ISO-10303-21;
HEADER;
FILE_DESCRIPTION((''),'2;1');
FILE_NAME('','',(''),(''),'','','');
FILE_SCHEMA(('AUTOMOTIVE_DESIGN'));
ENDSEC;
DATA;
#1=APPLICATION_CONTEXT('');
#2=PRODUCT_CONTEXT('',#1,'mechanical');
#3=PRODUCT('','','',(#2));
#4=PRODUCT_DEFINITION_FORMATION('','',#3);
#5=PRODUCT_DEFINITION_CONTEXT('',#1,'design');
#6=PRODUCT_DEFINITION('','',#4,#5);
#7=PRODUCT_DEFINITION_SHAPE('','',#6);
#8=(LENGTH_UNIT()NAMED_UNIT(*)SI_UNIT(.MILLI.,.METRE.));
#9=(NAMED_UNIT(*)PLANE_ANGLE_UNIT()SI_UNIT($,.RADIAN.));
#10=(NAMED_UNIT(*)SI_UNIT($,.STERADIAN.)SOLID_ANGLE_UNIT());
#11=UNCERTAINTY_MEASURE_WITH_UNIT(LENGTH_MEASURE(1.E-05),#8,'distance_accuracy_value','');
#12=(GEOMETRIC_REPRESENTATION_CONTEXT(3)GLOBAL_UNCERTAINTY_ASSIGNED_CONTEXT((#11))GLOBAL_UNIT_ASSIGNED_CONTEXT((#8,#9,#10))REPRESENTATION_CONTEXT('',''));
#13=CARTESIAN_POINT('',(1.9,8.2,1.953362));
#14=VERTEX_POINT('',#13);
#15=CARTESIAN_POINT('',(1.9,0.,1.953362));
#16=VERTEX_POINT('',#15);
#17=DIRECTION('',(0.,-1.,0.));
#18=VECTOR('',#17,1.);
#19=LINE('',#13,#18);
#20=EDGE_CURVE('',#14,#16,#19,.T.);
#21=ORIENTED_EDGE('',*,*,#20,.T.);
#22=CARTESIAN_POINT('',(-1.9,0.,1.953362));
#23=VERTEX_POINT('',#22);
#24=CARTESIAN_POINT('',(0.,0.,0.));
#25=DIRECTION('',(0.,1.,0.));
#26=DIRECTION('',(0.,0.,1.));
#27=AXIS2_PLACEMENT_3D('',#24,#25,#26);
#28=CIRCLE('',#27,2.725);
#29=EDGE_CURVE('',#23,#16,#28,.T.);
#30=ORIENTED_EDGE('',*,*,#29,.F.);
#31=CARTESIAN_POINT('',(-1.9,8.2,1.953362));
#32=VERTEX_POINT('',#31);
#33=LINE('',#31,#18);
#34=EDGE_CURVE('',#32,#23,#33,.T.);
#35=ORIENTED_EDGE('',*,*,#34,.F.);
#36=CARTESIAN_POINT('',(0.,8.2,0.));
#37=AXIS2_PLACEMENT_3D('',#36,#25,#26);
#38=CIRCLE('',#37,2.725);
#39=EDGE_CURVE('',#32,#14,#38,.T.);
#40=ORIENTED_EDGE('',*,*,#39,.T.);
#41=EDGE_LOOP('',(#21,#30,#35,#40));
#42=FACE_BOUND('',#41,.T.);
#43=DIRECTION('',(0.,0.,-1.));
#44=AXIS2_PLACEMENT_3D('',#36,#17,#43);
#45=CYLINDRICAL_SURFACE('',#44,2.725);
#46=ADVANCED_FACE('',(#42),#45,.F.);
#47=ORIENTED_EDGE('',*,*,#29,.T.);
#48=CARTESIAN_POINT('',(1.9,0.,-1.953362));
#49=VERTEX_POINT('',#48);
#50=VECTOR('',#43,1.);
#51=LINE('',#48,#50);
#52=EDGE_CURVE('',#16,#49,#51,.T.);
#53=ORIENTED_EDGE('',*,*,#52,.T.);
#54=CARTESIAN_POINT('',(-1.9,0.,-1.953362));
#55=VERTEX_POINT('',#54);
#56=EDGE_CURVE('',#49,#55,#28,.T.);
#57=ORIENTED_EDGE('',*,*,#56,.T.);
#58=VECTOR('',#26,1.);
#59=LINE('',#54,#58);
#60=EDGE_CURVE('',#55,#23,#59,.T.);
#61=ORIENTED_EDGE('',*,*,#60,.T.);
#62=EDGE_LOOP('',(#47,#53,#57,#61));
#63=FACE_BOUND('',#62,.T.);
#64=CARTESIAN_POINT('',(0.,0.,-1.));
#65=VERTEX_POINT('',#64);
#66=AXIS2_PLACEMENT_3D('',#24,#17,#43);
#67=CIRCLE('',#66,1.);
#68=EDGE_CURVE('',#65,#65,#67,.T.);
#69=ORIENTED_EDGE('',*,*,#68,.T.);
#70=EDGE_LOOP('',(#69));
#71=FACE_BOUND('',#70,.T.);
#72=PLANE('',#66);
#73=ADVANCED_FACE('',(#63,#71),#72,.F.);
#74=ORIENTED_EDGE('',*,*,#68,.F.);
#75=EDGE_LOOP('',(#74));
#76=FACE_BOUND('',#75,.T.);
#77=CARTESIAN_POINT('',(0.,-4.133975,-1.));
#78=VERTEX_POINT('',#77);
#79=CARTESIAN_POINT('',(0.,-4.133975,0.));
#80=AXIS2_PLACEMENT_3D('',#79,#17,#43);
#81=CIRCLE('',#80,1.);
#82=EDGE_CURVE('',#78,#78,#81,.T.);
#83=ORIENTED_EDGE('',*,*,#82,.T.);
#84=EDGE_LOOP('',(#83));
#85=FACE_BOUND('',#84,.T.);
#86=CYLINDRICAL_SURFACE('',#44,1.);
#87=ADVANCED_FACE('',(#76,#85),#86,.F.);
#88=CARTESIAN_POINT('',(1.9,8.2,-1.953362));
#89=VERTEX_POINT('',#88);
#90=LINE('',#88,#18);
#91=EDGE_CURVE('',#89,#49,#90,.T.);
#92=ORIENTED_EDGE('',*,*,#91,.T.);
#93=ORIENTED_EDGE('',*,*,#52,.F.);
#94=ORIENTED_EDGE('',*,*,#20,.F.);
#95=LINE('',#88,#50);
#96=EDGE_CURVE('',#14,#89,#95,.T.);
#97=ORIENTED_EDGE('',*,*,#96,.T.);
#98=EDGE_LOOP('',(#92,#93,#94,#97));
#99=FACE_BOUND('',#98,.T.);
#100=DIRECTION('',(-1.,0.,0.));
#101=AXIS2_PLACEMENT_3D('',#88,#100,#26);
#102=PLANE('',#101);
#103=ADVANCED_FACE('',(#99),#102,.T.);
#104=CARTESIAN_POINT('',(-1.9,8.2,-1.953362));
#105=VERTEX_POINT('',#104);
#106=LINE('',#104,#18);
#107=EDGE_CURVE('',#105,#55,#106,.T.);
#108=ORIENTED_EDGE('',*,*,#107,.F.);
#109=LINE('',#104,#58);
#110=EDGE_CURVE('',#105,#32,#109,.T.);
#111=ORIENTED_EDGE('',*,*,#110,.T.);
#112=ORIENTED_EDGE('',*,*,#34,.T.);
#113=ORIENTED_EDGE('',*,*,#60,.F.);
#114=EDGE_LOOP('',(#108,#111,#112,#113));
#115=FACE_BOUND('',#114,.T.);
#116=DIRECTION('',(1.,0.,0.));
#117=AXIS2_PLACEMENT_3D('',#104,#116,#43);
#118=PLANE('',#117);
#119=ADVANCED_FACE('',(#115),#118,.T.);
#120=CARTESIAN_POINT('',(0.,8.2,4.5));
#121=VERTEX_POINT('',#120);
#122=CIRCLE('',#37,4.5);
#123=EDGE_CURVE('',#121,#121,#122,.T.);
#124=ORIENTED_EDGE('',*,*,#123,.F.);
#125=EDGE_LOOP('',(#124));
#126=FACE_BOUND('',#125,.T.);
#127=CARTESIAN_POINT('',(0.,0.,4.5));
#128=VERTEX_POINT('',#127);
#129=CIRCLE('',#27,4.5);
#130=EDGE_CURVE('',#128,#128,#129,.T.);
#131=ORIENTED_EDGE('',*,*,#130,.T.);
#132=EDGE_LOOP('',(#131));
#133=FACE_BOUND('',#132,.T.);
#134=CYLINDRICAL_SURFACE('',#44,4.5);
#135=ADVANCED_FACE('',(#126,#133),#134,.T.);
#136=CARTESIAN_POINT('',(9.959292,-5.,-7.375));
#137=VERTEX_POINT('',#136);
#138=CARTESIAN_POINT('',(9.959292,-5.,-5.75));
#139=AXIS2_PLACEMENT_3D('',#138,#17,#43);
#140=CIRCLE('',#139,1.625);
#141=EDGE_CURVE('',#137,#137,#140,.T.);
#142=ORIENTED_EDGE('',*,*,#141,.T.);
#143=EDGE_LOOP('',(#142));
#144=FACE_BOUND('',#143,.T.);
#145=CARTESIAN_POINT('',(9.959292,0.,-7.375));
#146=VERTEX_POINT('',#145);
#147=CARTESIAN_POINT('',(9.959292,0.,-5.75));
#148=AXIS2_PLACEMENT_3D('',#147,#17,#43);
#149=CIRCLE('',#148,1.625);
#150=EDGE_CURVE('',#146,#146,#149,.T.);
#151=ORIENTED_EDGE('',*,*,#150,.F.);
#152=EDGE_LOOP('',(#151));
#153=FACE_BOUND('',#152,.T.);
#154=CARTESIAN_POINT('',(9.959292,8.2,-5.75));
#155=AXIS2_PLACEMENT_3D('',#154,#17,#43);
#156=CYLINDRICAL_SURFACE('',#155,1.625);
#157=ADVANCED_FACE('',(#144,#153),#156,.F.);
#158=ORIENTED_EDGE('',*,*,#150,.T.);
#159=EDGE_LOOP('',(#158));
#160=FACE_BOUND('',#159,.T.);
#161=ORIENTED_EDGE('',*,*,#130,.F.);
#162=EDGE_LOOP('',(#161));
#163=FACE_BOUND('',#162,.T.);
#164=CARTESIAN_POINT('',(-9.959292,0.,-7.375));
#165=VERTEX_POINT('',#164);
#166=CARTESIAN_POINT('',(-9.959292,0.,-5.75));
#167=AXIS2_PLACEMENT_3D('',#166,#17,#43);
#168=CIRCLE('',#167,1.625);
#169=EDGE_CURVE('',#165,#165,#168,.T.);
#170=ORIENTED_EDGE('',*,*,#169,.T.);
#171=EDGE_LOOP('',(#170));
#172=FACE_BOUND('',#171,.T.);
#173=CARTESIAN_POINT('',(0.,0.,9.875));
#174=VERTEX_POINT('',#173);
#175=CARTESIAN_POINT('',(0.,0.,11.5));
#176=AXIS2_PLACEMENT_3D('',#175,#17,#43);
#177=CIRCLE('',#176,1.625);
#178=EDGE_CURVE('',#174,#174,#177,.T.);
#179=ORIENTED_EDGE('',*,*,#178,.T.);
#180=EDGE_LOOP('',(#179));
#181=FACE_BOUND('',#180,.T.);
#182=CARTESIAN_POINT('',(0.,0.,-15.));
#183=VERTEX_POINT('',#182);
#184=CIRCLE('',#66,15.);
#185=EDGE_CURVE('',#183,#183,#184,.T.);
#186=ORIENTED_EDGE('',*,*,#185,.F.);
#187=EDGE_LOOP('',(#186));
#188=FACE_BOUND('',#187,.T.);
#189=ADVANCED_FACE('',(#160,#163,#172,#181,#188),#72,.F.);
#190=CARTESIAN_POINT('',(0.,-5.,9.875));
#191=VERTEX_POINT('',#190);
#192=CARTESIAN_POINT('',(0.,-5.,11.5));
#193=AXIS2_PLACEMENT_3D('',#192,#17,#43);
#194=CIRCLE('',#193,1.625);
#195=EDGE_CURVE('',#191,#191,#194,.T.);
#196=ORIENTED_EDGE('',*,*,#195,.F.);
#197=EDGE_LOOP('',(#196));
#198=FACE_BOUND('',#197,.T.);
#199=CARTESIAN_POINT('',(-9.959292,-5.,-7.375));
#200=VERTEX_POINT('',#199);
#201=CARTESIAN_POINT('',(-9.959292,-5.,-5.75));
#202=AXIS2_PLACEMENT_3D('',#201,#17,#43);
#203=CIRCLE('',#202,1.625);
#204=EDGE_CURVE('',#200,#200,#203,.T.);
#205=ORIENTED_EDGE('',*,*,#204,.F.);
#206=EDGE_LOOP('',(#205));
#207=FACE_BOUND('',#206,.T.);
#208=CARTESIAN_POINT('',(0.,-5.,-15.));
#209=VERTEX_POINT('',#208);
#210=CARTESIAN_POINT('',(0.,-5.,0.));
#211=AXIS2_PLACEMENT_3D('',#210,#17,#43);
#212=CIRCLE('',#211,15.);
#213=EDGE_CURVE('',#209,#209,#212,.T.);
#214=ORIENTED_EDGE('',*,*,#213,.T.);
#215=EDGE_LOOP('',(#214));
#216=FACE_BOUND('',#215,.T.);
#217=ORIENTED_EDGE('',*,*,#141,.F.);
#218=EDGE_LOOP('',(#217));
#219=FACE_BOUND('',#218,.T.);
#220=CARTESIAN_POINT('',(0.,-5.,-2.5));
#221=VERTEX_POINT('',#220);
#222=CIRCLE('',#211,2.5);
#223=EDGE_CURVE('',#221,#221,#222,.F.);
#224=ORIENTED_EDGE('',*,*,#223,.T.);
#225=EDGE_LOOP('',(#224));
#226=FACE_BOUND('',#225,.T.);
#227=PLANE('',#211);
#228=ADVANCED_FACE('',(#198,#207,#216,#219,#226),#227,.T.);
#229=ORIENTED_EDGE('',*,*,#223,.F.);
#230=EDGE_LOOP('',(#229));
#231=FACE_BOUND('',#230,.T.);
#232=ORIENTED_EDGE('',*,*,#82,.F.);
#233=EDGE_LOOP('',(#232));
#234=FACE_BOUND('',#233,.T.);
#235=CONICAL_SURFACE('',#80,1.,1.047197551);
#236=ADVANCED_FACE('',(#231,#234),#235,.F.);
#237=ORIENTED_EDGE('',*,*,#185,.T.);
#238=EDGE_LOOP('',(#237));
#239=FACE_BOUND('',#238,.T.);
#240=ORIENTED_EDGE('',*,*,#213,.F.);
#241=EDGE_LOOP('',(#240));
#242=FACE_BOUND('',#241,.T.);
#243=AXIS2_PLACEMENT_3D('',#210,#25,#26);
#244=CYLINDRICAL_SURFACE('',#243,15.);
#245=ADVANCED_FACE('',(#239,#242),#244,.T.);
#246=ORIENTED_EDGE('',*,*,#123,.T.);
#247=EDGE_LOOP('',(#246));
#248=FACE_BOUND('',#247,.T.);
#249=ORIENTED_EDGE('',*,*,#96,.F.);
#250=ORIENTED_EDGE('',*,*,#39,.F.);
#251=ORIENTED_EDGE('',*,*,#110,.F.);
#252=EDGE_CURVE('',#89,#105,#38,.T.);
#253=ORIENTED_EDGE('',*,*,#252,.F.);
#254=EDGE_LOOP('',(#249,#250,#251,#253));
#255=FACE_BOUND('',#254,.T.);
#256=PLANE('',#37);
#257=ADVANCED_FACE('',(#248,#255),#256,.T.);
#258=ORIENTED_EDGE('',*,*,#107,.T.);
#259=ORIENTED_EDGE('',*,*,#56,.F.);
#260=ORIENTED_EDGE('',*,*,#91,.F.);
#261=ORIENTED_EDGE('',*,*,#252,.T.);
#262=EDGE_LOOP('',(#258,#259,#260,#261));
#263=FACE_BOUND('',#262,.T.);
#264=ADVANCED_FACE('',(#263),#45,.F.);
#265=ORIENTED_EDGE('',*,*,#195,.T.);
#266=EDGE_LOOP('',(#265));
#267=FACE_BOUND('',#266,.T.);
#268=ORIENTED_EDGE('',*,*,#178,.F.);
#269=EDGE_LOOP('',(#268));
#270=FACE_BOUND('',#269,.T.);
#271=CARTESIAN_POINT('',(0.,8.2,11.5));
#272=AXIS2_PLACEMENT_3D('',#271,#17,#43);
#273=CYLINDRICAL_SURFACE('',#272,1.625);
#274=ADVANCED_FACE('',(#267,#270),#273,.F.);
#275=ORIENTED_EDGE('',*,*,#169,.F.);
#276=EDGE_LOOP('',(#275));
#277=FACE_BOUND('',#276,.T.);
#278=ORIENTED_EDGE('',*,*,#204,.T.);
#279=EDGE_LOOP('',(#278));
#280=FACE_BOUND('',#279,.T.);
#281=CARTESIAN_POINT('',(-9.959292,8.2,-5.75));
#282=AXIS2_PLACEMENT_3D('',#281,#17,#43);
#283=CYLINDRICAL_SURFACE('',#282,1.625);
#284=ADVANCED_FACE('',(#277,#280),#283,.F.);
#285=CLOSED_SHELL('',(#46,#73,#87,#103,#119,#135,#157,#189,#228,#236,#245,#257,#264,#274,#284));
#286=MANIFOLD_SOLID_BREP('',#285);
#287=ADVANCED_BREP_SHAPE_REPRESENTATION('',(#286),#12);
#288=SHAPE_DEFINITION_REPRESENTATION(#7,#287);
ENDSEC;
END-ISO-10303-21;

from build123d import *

# Parameters (mm, degrees)
SKETCH1_R           = 4.5
BOSS_EXTRUDE1_DEPTH = 8.2
SKETCH2_R           = 15
BOSS_EXTRUDE2_DEPTH = 5
SKETCH3_R           = 1
CUT_EXTRUDE1_DEPTH  = 25.984795376
SKETCH4_R           = 1.625
CUT_EXTRUDE2_DEPTH  = 25.984795376
CHAMFER1_SIZE       = 1.5
CHAMFER1_SIZE2      = 0.866025404


with BuildPart() as part:
    # Sketch1 → Boss-Extrude1 (new body)
    with BuildSketch(Plane(origin=(0, 0, 0), x_dir=(1, 0, 0), z_dir=(0, 1, 0))):
        Circle(SKETCH1_R)
        with BuildLine():
            Line((-1.9, 1.953362486), (-1.9, -1.953362486))
            ThreePointArc((-1.9, -1.953362486), (0, -2.725), (1.9, -1.953362486))
            Line((1.9, -1.953362486), (1.9, 1.953362486))
            ThreePointArc((1.9, 1.953362486), (0, 2.725), (-1.9, 1.953362486))
        make_face(mode=Mode.SUBTRACT)
    extrude(amount=BOSS_EXTRUDE1_DEPTH)

    # Sketch2 → Boss-Extrude2 (add)
    with BuildSketch(Plane.XZ):
        Circle(SKETCH2_R)
    extrude(amount=BOSS_EXTRUDE2_DEPTH)

    # Sketch3 → Cut-Extrude1 (cut, through all)
    with BuildSketch(Plane.XZ.offset(5)):
        Circle(SKETCH3_R)
    extrude(amount=-CUT_EXTRUDE1_DEPTH, mode=Mode.SUBTRACT)

    # Sketch4 → Cut-Extrude2 (cut, through all)
    with BuildSketch(Plane.XZ.offset(5)):
        with Locations((0, 11.5)):
            Circle(SKETCH4_R)
        with Locations((9.959292144, -5.75)):
            Circle(SKETCH4_R)
        with Locations((-9.959292144, -5.75)):
            Circle(SKETCH4_R)
    extrude(amount=-CUT_EXTRUDE2_DEPTH, mode=Mode.SUBTRACT)

    # Chamfer1
    chamfer1_edges = [part.edges().sort_by_distance(p)[0] for p in [
        (-1, -5, 0),
    ]]
    chamfer1_side = [part.faces().sort_by_distance(p)[0] for p in [
        (-14.575735931, -5, 0),
    ]]
    chamfer(chamfer1_edges, length=CHAMFER1_SIZE, length2=CHAMFER1_SIZE2, reference=chamfer1_side[0])


solid = part.part
